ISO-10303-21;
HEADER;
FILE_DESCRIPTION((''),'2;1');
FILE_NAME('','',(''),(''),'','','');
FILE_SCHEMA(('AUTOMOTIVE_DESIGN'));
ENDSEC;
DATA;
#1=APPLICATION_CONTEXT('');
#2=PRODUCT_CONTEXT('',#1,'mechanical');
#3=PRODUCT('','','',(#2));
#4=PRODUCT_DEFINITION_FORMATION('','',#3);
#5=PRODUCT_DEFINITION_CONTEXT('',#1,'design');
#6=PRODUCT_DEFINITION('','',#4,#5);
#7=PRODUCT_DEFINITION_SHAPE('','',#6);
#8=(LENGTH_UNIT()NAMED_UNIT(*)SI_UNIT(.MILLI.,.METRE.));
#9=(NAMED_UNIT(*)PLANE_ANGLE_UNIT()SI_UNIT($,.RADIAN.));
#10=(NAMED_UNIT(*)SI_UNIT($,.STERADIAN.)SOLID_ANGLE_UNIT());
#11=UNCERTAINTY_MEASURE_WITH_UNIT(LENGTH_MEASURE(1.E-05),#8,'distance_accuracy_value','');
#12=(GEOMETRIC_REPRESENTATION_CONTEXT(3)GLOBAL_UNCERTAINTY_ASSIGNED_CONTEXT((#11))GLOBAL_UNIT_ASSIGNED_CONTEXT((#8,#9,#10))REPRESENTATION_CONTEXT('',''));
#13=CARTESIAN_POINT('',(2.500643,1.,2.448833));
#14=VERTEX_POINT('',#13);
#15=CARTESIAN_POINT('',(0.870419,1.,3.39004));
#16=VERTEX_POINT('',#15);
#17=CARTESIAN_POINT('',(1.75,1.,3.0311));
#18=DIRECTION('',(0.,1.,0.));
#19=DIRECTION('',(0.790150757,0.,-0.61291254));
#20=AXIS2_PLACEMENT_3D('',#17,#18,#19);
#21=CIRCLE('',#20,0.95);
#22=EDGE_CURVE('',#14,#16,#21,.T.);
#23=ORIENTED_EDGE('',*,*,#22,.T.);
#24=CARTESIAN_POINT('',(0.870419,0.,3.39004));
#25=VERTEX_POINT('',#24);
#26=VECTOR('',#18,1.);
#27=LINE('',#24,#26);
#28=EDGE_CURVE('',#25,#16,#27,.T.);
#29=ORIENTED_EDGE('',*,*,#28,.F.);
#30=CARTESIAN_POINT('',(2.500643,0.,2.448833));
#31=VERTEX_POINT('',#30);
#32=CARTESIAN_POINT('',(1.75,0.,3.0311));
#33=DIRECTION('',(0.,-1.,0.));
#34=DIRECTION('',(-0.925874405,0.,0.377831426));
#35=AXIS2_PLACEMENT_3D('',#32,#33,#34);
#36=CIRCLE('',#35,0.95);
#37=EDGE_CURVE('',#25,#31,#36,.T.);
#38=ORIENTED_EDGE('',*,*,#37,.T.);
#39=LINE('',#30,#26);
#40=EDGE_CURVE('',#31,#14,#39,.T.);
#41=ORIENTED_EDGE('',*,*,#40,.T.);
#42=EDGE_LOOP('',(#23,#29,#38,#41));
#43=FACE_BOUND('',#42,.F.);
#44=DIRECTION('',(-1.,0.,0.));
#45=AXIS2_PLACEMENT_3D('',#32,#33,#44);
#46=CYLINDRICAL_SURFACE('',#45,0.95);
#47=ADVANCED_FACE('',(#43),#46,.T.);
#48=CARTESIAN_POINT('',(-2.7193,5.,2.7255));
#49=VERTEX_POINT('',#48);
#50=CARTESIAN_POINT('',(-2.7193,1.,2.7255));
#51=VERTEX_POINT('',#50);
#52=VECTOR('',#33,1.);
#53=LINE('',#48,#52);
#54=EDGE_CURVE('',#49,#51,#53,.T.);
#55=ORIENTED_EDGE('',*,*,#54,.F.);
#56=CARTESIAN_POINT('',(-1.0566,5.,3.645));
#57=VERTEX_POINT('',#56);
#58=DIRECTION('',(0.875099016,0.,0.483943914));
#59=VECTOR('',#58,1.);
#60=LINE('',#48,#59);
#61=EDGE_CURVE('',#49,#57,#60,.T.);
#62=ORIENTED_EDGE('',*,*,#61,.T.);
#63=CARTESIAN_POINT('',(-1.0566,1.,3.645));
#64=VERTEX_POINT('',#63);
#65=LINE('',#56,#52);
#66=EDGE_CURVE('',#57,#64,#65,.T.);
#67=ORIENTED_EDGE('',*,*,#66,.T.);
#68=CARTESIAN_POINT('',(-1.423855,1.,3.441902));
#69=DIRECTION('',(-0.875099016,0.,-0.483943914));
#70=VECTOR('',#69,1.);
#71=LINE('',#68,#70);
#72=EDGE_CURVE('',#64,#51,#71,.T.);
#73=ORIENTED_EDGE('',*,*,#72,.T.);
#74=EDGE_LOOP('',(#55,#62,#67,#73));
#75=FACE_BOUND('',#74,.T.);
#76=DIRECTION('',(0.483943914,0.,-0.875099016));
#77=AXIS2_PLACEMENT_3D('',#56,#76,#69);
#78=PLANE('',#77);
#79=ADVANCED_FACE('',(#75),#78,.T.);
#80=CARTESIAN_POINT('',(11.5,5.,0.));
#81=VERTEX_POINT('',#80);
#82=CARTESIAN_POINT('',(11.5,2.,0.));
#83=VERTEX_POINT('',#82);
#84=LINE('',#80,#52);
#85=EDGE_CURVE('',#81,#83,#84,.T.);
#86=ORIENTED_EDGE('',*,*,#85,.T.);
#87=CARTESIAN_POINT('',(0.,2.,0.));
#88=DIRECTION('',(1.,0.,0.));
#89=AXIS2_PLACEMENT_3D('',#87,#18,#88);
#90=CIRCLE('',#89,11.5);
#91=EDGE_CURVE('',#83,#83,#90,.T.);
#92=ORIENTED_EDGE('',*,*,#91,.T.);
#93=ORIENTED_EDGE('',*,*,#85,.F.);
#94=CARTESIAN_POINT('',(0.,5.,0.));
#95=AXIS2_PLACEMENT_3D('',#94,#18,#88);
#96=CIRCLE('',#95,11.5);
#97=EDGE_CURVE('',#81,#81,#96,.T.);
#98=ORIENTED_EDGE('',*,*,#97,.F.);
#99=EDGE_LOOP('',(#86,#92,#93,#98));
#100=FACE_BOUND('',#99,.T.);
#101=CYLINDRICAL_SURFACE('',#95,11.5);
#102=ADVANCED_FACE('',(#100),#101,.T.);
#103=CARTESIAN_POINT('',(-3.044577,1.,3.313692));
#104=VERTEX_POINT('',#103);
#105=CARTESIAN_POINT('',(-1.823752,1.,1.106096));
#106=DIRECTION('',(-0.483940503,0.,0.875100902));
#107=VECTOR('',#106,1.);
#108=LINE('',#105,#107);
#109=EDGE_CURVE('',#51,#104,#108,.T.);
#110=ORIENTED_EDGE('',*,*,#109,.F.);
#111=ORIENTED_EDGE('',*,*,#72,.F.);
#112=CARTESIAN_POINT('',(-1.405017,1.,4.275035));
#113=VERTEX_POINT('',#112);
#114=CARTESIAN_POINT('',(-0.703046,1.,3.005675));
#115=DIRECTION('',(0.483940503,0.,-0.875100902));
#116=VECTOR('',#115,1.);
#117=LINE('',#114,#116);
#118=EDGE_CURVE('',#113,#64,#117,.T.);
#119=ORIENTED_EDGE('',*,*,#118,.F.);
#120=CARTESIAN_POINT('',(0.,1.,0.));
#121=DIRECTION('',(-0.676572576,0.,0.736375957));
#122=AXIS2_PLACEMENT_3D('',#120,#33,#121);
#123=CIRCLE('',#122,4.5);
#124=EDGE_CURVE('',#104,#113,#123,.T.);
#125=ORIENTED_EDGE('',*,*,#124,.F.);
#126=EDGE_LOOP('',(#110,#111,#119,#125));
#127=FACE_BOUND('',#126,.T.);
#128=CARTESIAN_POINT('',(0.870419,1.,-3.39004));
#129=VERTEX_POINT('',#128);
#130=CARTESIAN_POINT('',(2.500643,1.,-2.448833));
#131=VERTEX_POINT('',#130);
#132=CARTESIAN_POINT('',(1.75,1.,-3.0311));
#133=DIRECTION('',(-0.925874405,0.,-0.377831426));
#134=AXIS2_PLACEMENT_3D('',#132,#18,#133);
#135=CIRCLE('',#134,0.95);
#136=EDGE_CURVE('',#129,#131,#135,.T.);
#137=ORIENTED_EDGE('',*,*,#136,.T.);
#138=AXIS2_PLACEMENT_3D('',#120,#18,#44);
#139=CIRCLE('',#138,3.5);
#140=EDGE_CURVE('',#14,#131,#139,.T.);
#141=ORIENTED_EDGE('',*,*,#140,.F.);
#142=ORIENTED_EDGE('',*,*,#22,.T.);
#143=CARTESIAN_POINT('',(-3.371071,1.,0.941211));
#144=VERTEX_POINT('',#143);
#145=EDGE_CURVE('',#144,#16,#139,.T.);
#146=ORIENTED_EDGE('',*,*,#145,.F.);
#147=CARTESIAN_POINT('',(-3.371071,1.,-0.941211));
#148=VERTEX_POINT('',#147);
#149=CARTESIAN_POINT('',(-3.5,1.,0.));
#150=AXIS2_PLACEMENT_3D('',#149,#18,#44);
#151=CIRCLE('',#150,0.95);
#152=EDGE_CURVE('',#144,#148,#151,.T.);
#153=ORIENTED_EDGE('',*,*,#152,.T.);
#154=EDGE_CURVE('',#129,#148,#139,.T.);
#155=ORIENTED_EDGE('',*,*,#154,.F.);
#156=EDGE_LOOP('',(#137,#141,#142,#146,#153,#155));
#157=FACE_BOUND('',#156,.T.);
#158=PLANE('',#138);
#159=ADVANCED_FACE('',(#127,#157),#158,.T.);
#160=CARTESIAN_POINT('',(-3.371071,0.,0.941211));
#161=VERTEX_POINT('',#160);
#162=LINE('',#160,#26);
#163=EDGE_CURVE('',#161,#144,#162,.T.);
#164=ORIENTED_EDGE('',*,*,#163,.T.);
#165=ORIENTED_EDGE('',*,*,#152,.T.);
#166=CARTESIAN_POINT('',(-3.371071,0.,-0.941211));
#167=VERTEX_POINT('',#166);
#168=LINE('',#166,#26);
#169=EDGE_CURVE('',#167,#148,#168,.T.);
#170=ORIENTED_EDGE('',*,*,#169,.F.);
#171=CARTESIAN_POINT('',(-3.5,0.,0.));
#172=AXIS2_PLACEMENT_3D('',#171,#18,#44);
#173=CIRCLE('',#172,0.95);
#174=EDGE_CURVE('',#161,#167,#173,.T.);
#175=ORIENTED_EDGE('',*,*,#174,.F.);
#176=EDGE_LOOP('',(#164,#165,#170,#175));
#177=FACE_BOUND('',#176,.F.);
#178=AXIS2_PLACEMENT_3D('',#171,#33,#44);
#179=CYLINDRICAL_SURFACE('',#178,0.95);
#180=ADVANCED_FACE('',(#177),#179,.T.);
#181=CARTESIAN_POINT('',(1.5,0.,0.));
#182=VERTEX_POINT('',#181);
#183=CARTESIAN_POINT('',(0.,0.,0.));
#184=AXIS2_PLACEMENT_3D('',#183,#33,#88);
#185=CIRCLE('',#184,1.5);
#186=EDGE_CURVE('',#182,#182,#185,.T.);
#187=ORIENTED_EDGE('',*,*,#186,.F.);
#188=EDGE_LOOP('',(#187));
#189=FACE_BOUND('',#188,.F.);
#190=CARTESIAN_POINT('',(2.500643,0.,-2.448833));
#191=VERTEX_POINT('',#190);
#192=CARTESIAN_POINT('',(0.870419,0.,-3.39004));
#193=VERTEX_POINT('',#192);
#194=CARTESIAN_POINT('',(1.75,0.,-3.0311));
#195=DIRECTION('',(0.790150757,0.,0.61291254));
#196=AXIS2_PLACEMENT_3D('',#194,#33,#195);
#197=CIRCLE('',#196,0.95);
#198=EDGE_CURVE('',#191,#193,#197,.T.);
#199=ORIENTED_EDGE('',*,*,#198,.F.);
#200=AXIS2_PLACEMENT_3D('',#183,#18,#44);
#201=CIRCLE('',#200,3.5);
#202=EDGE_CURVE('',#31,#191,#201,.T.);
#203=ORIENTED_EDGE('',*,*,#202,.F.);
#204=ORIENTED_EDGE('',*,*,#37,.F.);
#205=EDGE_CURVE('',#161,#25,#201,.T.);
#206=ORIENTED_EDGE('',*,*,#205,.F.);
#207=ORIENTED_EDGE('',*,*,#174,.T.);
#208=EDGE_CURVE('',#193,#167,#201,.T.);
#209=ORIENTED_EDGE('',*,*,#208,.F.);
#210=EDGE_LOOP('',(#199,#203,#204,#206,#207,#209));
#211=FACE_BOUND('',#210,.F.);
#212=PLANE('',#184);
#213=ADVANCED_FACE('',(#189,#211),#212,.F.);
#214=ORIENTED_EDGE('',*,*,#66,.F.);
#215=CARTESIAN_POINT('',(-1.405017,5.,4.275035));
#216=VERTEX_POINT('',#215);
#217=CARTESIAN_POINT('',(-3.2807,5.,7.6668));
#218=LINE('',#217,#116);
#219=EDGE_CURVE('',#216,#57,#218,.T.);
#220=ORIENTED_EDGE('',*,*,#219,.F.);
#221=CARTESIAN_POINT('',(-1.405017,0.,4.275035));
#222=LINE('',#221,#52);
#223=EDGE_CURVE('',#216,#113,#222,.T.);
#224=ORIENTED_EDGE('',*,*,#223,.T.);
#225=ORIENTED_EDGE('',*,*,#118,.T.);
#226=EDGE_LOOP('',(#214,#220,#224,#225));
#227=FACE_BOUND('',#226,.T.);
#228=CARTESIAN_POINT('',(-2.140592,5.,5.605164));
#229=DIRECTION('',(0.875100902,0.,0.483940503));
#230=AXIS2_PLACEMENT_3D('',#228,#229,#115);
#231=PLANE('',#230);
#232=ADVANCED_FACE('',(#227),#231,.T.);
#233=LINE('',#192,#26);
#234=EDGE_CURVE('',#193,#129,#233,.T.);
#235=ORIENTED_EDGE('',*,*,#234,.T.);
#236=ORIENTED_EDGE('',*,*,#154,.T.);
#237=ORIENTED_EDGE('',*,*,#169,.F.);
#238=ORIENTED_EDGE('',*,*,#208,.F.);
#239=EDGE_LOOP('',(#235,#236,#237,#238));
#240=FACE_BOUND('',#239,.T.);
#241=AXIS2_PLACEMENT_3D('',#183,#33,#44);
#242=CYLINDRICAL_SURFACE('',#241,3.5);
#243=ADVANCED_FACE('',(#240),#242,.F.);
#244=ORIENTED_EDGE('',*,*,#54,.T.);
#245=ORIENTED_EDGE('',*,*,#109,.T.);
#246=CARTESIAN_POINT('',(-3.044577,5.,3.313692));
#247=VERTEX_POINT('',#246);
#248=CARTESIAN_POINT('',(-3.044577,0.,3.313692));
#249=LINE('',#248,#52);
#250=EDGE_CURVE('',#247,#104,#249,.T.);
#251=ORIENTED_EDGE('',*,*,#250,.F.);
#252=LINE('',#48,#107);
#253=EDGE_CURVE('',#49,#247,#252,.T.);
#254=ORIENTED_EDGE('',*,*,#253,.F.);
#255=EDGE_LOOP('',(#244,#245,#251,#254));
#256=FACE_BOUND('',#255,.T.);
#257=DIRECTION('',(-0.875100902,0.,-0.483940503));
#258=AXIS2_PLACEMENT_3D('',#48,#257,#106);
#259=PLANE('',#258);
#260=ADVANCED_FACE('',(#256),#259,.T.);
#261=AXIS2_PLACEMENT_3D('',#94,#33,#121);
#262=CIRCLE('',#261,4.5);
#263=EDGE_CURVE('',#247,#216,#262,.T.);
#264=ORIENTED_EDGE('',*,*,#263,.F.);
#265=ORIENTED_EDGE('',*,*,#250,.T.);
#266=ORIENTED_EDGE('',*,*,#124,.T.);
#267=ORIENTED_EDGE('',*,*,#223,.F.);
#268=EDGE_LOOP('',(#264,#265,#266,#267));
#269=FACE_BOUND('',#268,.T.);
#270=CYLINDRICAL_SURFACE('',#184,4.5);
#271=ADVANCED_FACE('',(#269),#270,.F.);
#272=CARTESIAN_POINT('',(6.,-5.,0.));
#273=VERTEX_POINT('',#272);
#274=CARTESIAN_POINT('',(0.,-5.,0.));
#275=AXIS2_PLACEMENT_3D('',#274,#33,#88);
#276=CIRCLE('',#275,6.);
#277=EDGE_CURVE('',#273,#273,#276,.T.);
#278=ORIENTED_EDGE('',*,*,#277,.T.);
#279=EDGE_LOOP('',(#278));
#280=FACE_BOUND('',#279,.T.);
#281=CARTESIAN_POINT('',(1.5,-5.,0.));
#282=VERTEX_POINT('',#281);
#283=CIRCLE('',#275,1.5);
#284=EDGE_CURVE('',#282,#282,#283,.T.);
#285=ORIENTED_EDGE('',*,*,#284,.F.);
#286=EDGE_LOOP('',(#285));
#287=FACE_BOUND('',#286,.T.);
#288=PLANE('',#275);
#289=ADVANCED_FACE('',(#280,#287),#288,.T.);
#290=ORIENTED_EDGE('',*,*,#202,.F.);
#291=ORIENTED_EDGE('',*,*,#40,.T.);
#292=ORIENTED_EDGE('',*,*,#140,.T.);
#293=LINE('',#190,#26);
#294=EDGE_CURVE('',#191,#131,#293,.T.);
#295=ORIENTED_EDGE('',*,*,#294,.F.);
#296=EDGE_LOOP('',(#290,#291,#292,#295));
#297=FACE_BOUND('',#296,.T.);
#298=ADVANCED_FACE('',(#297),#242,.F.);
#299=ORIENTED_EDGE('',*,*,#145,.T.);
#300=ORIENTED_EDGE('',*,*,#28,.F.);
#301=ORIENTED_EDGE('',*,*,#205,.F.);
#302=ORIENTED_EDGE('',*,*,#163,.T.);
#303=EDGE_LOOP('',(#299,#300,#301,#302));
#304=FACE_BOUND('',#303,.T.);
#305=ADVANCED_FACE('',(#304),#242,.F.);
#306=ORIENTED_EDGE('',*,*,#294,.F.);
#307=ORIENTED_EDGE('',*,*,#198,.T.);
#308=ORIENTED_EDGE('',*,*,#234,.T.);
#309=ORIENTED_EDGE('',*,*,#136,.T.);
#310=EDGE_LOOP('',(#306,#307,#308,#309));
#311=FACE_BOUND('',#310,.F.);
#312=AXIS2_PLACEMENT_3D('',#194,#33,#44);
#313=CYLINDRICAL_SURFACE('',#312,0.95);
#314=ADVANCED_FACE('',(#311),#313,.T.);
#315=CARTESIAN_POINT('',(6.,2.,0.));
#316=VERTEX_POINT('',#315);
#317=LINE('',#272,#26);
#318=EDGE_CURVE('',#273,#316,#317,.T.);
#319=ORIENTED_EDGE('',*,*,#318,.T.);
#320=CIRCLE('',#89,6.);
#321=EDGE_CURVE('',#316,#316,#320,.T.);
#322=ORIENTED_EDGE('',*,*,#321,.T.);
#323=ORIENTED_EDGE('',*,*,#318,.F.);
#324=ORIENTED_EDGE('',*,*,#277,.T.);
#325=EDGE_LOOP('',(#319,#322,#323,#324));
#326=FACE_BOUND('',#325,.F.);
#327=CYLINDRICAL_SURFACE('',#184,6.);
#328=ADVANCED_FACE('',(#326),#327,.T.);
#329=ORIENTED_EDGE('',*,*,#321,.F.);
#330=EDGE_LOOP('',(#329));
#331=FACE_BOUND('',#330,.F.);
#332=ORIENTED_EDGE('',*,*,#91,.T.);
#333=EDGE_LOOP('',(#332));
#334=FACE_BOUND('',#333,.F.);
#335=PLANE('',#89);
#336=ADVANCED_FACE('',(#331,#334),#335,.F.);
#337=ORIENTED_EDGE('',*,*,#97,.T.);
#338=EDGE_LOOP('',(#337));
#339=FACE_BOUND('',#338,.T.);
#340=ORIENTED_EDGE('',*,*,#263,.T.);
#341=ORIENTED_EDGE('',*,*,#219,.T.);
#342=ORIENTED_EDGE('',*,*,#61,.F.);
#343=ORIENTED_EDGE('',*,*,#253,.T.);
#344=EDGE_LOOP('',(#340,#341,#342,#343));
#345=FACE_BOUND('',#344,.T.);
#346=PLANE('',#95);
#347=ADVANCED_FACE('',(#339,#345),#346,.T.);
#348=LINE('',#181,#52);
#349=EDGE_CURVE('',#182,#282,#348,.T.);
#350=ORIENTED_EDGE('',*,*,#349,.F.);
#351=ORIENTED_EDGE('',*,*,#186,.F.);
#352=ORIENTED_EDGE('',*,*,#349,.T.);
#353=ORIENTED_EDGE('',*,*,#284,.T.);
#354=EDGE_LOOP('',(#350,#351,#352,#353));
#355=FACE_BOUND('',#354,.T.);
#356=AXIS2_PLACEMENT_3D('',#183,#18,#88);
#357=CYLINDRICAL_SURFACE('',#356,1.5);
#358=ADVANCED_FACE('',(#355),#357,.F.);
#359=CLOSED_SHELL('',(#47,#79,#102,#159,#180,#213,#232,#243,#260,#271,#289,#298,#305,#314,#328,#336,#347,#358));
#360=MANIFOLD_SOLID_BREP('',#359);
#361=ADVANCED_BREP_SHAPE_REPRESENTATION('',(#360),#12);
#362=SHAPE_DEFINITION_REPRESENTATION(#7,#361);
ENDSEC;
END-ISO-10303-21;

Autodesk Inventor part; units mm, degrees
ref_plane "YZ Plane" through (0, 0, 0) normal (1, 0, 0) x (0, 1, 0)
ref_plane "XZ Plane" through (0, 0, 0) normal (0, 1, 0) x (-1, 0, 0)
ref_plane "XY Plane" through (0, 0, 0) normal (0, 0, 1) x (1, 0, 0)
sketch "Эскиз1" plane through (0, 0, 0) normal (0, 1, 0) x (-1, 0, 0)
  circle A0 centre (0, 0) radius 3.5
  circle A1 centre (3.5, 0) radius 0.95
  circle A2 centre (-1.75, 3.0311) radius 0.95
  circle A3 centre (-1.75, -3.0311) radius 0.95
  circle A4 centre (0, 0) radius 4.5
  circle A5 centre (0, 0) radius 1.5
  point P0 (-2.5006, -2.4488)
  point P1 (-2.5006, 2.4488)
  point P2 (-0.8704, 3.39)
  point P3 (3.3711, 0.9412)
  point P4 (3.3711, -0.9412)
  point P5 (-0.8704, -3.39)
  dimension "d0" = 7
  dimension "d1" = 1.9
  dimension "d4" = 360
  dimension "d6" = 9
  dimension "d7" = 3
extrude "Выдавливание1" add sketch "Эскиз1" along normal blind 1 contours A0 A1 | A0 A1 | A2 A0 | A0 A2 | A3 A0 | A0 A3 | A4
sketch "Эскиз2" plane through (0, 0, 0) normal (0, -1, 0) x (1, 0, 0)
  circle A0 centre (0, 0) radius 1.5
  circle A1 centre (0, 0) radius 6
  dimension "d10" = 3
  dimension "d11" = 12
extrude "Выдавливание2" add sketch "Эскиз2" along normal blind 5
sketch "Эскиз3" plane through (0, 0, 0) normal (0, 1, 0) x (1, 0, 0)
  circle A0 centre (0, 0) radius 4.5
  circle A1 centre (0, 0) radius 6
  circle A2 centre (0, 0) radius 4.5
  dimension "d14" = 12
extrude "Выдавливание3" add sketch "Эскиз3" along normal blind 5
sketch "Эскиз4" plane through (0, 5, 0) normal (0, 1, 0) x (1, 0, 0)
  arc A0 (0.8704, 3.39) -> (2.5006, 2.4488) centre (1.75, 3.0311) ccw projected
  line L0 (0, 0) -> (1.75, 3.0311)
  line L1 (0, 0) -> (-5.8023, -10.0499)
  line L2 (-3.2807, -7.6668) -> (-1.0566, -3.645)
  line L3 (-1.0566, -3.645) -> (-2.7193, -2.7255)
  line L4 (-2.7193, -2.7255) -> (-4.9434, -6.7473)
  line L5 (-4.9434, -6.7473) -> (-3.2807, -7.6668)
  circle A1 centre (0, 0) radius 6 projected
  line L6 (-3.2807, -7.6668) -> (-2.7193, -2.7255) construction
  line L7 (-1.0566, -3.645) -> (-4.9434, -6.7473) construction
  point P0 (-3, -5.1962)
  point P1 (-2.1406, -5.6052)
  point P2 (-3.7861, -4.6546)
  dimension "d17" = 1.9
extrude "Выдавливание4" add sketch "Эскиз4" against normal blind 5 contours L3 L2 A1 L1 | L1 A1 L4 L3
sketch "Эскиз5" plane through (0, 5, 0) normal (0, 1, 0) x (1, 0, 0)
  circle A0 centre (0, 0) radius 11.5
  circle A1 centre (0, 0) radius 6
  dimension "d20" = 23
extrude "Выдавливание5" add sketch "Эскиз5" against normal blind 3
properties part number "крышка для втулки"
